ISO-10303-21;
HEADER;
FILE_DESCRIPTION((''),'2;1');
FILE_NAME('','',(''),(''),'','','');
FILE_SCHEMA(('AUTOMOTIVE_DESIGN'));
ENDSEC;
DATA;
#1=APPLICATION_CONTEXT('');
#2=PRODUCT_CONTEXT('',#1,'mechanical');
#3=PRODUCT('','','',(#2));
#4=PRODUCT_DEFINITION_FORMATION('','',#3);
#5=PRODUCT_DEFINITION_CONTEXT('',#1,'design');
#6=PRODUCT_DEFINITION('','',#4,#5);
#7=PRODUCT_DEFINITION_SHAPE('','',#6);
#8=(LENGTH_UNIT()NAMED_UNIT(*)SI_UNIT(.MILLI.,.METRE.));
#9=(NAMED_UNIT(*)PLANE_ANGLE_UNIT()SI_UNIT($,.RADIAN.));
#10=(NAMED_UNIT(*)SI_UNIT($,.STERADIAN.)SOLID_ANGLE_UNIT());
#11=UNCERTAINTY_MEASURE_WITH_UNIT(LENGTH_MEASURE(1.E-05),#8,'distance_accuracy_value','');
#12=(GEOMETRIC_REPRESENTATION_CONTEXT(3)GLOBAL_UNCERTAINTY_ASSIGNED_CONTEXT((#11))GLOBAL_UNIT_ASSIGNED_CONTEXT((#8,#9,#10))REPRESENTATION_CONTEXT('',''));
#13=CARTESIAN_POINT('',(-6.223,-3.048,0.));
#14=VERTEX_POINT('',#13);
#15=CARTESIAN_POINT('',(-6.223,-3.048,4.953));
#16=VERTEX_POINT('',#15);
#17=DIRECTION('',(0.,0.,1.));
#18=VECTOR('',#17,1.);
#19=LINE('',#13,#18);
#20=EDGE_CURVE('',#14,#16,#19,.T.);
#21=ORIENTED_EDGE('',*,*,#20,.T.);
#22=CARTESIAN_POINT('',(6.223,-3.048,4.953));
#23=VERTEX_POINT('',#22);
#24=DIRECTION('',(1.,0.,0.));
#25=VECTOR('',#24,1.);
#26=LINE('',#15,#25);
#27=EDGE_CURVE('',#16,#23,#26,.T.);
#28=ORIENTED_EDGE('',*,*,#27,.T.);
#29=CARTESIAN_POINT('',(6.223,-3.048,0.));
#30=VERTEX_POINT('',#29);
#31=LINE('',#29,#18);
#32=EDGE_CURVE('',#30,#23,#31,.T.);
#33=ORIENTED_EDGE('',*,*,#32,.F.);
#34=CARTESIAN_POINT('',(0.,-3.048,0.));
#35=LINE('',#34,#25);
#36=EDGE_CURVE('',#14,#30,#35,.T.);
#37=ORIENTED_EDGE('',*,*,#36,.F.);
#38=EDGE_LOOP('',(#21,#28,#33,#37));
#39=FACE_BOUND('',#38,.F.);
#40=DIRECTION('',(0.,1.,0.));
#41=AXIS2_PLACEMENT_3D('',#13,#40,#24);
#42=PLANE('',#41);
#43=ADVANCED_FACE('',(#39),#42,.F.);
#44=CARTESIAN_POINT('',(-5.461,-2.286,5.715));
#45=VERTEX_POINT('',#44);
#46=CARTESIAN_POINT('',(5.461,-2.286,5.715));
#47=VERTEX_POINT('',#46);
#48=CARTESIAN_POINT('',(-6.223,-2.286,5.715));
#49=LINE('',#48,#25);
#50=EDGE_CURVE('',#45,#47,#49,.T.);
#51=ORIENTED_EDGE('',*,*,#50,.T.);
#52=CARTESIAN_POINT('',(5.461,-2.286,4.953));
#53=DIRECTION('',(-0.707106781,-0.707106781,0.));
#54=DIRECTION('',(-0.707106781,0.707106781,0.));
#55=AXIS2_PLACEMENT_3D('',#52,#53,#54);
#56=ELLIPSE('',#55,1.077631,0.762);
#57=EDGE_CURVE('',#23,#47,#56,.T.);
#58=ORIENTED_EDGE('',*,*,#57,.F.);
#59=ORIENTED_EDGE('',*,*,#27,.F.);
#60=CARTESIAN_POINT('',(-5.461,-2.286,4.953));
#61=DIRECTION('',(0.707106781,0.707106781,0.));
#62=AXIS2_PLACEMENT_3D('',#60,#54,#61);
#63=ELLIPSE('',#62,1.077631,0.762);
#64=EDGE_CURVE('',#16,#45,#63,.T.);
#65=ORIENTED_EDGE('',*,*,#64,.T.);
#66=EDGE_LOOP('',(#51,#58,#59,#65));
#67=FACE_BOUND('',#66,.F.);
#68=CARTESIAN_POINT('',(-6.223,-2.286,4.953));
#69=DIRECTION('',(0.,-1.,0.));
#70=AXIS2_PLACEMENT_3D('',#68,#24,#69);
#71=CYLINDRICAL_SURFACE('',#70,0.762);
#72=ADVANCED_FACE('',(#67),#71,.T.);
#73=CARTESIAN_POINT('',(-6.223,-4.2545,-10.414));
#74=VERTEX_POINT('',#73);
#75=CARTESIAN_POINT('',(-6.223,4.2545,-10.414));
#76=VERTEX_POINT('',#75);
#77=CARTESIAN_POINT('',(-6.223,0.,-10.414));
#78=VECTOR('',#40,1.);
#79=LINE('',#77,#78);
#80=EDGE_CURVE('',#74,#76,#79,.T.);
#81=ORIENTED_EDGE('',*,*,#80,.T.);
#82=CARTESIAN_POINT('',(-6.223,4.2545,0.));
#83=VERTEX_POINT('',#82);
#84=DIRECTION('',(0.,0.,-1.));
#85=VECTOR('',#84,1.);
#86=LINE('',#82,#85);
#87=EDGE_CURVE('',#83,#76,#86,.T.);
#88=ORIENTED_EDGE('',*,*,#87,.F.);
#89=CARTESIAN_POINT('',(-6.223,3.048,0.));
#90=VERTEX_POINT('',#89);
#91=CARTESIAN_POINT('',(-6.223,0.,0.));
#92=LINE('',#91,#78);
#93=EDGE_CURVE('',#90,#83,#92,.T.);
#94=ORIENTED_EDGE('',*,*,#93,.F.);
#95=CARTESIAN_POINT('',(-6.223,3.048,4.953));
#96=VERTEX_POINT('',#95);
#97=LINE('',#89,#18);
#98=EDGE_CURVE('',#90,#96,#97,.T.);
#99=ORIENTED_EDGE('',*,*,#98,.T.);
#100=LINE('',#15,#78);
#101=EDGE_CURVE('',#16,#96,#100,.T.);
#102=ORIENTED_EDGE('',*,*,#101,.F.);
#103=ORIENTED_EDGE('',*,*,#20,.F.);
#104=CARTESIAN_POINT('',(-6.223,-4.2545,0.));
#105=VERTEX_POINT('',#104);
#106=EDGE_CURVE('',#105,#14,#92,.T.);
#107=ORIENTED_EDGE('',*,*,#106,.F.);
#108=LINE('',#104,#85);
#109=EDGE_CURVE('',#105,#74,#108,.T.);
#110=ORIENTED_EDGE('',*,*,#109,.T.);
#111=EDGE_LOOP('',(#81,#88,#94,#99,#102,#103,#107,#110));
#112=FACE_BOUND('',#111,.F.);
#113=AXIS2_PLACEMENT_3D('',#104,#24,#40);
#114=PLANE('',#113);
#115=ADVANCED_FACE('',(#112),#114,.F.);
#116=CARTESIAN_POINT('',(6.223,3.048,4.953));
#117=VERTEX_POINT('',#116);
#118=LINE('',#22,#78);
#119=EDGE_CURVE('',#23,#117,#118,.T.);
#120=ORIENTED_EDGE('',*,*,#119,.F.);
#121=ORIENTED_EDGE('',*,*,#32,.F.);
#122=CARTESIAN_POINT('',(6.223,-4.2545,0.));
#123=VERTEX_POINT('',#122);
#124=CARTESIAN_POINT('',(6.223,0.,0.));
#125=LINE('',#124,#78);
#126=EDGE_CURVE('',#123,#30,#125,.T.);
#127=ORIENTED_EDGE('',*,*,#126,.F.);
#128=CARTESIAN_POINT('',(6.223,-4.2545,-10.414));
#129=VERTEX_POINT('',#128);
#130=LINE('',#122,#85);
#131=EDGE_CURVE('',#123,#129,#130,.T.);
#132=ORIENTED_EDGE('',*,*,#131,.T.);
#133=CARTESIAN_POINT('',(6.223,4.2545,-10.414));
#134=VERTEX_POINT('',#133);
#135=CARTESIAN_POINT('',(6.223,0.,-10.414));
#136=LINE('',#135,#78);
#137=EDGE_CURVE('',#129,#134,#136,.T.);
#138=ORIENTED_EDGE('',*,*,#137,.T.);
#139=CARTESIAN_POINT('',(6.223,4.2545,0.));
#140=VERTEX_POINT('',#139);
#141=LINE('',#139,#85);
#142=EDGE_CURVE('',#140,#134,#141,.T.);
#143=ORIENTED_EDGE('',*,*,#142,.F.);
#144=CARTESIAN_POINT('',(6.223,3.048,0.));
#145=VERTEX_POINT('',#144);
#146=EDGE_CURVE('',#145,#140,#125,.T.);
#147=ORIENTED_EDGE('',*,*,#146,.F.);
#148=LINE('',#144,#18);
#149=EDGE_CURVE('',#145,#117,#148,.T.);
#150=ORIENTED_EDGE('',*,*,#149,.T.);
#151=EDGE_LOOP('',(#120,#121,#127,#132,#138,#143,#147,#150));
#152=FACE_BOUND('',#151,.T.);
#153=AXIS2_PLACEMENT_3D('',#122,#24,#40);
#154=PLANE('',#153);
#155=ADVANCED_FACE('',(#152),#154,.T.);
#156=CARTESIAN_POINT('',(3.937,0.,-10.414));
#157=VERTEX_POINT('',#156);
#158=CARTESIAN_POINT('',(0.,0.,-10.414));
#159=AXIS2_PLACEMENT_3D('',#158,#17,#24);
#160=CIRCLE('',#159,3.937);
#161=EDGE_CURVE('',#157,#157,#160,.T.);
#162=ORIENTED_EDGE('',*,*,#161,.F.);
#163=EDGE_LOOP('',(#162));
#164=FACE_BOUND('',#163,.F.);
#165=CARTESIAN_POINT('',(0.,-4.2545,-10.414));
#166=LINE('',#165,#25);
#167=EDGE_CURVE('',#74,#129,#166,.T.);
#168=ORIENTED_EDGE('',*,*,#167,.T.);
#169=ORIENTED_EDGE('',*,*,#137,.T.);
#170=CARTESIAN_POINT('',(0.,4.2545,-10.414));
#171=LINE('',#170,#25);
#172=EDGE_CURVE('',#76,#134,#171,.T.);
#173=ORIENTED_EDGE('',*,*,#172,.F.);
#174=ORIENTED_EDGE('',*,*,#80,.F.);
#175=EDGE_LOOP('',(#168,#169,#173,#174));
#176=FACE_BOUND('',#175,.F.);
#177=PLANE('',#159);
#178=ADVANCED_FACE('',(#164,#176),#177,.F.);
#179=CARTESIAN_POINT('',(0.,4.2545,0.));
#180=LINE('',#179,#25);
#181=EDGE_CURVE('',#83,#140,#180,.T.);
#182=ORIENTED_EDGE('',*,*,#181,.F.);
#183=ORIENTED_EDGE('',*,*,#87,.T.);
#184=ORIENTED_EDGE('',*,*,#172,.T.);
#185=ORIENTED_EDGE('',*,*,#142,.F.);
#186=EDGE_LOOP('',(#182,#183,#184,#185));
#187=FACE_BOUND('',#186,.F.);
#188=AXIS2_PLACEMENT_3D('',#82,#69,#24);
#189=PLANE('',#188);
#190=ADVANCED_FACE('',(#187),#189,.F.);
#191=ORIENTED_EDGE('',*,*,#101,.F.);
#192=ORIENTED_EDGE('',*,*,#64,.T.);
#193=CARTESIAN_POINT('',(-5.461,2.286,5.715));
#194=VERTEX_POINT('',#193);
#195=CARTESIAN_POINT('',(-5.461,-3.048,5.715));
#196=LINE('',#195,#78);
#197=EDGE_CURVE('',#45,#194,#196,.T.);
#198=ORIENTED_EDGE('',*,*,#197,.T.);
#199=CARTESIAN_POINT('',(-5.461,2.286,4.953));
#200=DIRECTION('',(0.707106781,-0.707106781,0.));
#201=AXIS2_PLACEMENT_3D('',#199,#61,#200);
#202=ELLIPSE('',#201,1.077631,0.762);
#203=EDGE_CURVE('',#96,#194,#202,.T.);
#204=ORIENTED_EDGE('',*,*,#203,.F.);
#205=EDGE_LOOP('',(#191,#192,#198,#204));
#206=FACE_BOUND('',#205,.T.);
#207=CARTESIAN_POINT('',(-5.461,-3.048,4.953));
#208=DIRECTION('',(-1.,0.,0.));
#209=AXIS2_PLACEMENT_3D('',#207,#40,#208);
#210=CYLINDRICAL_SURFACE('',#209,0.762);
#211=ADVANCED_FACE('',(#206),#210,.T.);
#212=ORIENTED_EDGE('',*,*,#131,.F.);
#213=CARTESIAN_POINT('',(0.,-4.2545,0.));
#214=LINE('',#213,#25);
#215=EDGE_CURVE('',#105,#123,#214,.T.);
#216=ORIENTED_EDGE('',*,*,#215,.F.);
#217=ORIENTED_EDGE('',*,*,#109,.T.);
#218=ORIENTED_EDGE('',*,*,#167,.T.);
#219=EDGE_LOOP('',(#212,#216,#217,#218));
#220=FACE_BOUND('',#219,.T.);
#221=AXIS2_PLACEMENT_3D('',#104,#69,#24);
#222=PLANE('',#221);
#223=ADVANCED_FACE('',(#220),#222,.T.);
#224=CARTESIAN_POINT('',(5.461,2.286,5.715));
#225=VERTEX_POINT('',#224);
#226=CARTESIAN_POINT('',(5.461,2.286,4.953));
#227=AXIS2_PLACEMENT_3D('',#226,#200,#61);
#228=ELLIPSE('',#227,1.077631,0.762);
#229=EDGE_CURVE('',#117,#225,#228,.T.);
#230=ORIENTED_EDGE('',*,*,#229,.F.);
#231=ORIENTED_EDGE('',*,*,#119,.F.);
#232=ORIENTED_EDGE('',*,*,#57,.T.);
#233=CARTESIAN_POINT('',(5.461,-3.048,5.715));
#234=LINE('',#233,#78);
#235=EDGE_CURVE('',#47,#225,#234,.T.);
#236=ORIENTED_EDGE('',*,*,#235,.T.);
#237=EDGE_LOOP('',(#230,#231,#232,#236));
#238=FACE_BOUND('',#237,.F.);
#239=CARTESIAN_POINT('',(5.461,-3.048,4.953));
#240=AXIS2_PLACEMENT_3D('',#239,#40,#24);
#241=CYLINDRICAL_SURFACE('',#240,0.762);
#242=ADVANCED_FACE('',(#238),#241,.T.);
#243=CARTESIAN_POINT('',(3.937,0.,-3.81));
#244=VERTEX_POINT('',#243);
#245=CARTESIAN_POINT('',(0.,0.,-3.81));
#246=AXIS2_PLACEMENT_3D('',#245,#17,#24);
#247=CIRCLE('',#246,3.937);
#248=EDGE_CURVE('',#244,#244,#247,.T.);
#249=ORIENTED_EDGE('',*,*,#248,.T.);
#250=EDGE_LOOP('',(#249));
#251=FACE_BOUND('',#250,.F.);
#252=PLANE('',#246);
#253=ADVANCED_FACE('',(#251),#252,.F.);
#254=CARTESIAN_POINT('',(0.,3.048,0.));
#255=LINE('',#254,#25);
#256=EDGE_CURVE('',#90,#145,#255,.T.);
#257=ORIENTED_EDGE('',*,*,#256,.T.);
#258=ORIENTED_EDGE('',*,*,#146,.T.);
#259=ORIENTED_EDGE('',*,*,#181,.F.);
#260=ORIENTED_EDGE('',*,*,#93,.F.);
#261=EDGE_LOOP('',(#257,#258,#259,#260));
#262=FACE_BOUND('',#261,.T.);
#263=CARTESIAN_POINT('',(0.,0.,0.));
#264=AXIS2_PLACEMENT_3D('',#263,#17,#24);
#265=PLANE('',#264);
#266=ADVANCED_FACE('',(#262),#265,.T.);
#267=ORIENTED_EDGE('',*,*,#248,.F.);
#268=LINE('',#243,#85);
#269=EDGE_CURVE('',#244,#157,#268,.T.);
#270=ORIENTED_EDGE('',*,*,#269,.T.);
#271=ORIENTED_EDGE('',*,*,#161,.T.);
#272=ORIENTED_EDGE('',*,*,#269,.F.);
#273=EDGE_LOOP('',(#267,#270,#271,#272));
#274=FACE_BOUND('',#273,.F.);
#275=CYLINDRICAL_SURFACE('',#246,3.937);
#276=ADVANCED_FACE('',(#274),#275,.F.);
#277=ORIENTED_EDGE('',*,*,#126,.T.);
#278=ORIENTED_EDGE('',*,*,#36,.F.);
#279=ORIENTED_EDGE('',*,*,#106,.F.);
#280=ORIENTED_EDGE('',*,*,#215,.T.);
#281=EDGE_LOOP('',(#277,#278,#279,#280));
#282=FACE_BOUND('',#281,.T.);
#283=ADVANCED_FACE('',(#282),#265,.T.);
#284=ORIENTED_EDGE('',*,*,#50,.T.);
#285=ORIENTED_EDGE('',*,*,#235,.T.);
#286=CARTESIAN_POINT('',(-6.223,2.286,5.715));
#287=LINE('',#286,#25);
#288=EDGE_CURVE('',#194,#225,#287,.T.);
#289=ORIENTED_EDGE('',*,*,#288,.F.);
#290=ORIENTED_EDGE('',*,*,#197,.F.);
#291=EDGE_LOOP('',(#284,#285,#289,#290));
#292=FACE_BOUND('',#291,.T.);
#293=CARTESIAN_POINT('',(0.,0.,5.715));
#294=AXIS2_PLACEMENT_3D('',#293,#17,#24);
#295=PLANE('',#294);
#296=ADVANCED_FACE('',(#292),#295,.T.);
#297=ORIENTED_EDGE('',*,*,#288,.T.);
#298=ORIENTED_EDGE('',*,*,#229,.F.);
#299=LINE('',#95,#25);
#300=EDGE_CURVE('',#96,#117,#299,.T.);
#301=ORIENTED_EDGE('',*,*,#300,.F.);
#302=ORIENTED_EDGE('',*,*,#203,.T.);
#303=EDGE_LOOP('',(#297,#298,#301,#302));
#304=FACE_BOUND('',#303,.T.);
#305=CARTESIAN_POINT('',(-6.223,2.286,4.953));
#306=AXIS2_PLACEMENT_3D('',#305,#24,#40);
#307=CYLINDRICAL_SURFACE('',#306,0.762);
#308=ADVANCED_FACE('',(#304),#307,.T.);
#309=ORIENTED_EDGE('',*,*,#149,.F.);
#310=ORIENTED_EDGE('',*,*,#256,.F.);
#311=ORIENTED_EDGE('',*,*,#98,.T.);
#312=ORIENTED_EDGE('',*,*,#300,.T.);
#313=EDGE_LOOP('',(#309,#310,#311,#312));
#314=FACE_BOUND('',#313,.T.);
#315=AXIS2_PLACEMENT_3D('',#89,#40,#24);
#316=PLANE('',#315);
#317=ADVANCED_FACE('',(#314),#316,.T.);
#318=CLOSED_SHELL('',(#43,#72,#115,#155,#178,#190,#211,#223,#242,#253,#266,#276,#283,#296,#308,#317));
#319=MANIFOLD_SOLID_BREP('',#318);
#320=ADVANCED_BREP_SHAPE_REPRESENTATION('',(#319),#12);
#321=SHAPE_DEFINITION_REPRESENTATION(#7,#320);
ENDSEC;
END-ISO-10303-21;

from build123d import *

# Parameters (mm, degrees)
F0_W     = 12.446
F0_H     = 6.096
F1_DEPTH = 5.715
F2_W     = 12.446
F2_H     = 8.509
F3_DEPTH = 10.414
F4_R     = 0.762
F7_D     = 7.874
F7_DEPTH = 6.605


with BuildPart() as f1:
    # F0 (on Top) → F1 (new body)
    with BuildSketch(Plane.XY):
        Rectangle(F0_W, F0_H)
    extrude(amount=F1_DEPTH)

    # F2 (on Top) → F3 (join)
    with BuildSketch(Plane.XY):
        Rectangle(F2_W, F2_H)
    extrude(amount=-F3_DEPTH)

    # F4
    f4_edges = [f1.edges().sort_by_distance(p)[0] for p in [
        (6.223, 0, 5.715),
        (0, 3.048, 5.715),
        (-6.223, 0, 5.715),
        (0, -3.048, 5.715),
    ]]
    fillet(f4_edges, radius=F4_R)

    # F7 (through all, one way)
    with BuildSketch(Plane.XY.offset(-3.81)):
        with Locations((0, 0)):
            Circle(F7_D / 2)
    extrude(amount=-F7_DEPTH, mode=Mode.SUBTRACT)


solid = f1.part
